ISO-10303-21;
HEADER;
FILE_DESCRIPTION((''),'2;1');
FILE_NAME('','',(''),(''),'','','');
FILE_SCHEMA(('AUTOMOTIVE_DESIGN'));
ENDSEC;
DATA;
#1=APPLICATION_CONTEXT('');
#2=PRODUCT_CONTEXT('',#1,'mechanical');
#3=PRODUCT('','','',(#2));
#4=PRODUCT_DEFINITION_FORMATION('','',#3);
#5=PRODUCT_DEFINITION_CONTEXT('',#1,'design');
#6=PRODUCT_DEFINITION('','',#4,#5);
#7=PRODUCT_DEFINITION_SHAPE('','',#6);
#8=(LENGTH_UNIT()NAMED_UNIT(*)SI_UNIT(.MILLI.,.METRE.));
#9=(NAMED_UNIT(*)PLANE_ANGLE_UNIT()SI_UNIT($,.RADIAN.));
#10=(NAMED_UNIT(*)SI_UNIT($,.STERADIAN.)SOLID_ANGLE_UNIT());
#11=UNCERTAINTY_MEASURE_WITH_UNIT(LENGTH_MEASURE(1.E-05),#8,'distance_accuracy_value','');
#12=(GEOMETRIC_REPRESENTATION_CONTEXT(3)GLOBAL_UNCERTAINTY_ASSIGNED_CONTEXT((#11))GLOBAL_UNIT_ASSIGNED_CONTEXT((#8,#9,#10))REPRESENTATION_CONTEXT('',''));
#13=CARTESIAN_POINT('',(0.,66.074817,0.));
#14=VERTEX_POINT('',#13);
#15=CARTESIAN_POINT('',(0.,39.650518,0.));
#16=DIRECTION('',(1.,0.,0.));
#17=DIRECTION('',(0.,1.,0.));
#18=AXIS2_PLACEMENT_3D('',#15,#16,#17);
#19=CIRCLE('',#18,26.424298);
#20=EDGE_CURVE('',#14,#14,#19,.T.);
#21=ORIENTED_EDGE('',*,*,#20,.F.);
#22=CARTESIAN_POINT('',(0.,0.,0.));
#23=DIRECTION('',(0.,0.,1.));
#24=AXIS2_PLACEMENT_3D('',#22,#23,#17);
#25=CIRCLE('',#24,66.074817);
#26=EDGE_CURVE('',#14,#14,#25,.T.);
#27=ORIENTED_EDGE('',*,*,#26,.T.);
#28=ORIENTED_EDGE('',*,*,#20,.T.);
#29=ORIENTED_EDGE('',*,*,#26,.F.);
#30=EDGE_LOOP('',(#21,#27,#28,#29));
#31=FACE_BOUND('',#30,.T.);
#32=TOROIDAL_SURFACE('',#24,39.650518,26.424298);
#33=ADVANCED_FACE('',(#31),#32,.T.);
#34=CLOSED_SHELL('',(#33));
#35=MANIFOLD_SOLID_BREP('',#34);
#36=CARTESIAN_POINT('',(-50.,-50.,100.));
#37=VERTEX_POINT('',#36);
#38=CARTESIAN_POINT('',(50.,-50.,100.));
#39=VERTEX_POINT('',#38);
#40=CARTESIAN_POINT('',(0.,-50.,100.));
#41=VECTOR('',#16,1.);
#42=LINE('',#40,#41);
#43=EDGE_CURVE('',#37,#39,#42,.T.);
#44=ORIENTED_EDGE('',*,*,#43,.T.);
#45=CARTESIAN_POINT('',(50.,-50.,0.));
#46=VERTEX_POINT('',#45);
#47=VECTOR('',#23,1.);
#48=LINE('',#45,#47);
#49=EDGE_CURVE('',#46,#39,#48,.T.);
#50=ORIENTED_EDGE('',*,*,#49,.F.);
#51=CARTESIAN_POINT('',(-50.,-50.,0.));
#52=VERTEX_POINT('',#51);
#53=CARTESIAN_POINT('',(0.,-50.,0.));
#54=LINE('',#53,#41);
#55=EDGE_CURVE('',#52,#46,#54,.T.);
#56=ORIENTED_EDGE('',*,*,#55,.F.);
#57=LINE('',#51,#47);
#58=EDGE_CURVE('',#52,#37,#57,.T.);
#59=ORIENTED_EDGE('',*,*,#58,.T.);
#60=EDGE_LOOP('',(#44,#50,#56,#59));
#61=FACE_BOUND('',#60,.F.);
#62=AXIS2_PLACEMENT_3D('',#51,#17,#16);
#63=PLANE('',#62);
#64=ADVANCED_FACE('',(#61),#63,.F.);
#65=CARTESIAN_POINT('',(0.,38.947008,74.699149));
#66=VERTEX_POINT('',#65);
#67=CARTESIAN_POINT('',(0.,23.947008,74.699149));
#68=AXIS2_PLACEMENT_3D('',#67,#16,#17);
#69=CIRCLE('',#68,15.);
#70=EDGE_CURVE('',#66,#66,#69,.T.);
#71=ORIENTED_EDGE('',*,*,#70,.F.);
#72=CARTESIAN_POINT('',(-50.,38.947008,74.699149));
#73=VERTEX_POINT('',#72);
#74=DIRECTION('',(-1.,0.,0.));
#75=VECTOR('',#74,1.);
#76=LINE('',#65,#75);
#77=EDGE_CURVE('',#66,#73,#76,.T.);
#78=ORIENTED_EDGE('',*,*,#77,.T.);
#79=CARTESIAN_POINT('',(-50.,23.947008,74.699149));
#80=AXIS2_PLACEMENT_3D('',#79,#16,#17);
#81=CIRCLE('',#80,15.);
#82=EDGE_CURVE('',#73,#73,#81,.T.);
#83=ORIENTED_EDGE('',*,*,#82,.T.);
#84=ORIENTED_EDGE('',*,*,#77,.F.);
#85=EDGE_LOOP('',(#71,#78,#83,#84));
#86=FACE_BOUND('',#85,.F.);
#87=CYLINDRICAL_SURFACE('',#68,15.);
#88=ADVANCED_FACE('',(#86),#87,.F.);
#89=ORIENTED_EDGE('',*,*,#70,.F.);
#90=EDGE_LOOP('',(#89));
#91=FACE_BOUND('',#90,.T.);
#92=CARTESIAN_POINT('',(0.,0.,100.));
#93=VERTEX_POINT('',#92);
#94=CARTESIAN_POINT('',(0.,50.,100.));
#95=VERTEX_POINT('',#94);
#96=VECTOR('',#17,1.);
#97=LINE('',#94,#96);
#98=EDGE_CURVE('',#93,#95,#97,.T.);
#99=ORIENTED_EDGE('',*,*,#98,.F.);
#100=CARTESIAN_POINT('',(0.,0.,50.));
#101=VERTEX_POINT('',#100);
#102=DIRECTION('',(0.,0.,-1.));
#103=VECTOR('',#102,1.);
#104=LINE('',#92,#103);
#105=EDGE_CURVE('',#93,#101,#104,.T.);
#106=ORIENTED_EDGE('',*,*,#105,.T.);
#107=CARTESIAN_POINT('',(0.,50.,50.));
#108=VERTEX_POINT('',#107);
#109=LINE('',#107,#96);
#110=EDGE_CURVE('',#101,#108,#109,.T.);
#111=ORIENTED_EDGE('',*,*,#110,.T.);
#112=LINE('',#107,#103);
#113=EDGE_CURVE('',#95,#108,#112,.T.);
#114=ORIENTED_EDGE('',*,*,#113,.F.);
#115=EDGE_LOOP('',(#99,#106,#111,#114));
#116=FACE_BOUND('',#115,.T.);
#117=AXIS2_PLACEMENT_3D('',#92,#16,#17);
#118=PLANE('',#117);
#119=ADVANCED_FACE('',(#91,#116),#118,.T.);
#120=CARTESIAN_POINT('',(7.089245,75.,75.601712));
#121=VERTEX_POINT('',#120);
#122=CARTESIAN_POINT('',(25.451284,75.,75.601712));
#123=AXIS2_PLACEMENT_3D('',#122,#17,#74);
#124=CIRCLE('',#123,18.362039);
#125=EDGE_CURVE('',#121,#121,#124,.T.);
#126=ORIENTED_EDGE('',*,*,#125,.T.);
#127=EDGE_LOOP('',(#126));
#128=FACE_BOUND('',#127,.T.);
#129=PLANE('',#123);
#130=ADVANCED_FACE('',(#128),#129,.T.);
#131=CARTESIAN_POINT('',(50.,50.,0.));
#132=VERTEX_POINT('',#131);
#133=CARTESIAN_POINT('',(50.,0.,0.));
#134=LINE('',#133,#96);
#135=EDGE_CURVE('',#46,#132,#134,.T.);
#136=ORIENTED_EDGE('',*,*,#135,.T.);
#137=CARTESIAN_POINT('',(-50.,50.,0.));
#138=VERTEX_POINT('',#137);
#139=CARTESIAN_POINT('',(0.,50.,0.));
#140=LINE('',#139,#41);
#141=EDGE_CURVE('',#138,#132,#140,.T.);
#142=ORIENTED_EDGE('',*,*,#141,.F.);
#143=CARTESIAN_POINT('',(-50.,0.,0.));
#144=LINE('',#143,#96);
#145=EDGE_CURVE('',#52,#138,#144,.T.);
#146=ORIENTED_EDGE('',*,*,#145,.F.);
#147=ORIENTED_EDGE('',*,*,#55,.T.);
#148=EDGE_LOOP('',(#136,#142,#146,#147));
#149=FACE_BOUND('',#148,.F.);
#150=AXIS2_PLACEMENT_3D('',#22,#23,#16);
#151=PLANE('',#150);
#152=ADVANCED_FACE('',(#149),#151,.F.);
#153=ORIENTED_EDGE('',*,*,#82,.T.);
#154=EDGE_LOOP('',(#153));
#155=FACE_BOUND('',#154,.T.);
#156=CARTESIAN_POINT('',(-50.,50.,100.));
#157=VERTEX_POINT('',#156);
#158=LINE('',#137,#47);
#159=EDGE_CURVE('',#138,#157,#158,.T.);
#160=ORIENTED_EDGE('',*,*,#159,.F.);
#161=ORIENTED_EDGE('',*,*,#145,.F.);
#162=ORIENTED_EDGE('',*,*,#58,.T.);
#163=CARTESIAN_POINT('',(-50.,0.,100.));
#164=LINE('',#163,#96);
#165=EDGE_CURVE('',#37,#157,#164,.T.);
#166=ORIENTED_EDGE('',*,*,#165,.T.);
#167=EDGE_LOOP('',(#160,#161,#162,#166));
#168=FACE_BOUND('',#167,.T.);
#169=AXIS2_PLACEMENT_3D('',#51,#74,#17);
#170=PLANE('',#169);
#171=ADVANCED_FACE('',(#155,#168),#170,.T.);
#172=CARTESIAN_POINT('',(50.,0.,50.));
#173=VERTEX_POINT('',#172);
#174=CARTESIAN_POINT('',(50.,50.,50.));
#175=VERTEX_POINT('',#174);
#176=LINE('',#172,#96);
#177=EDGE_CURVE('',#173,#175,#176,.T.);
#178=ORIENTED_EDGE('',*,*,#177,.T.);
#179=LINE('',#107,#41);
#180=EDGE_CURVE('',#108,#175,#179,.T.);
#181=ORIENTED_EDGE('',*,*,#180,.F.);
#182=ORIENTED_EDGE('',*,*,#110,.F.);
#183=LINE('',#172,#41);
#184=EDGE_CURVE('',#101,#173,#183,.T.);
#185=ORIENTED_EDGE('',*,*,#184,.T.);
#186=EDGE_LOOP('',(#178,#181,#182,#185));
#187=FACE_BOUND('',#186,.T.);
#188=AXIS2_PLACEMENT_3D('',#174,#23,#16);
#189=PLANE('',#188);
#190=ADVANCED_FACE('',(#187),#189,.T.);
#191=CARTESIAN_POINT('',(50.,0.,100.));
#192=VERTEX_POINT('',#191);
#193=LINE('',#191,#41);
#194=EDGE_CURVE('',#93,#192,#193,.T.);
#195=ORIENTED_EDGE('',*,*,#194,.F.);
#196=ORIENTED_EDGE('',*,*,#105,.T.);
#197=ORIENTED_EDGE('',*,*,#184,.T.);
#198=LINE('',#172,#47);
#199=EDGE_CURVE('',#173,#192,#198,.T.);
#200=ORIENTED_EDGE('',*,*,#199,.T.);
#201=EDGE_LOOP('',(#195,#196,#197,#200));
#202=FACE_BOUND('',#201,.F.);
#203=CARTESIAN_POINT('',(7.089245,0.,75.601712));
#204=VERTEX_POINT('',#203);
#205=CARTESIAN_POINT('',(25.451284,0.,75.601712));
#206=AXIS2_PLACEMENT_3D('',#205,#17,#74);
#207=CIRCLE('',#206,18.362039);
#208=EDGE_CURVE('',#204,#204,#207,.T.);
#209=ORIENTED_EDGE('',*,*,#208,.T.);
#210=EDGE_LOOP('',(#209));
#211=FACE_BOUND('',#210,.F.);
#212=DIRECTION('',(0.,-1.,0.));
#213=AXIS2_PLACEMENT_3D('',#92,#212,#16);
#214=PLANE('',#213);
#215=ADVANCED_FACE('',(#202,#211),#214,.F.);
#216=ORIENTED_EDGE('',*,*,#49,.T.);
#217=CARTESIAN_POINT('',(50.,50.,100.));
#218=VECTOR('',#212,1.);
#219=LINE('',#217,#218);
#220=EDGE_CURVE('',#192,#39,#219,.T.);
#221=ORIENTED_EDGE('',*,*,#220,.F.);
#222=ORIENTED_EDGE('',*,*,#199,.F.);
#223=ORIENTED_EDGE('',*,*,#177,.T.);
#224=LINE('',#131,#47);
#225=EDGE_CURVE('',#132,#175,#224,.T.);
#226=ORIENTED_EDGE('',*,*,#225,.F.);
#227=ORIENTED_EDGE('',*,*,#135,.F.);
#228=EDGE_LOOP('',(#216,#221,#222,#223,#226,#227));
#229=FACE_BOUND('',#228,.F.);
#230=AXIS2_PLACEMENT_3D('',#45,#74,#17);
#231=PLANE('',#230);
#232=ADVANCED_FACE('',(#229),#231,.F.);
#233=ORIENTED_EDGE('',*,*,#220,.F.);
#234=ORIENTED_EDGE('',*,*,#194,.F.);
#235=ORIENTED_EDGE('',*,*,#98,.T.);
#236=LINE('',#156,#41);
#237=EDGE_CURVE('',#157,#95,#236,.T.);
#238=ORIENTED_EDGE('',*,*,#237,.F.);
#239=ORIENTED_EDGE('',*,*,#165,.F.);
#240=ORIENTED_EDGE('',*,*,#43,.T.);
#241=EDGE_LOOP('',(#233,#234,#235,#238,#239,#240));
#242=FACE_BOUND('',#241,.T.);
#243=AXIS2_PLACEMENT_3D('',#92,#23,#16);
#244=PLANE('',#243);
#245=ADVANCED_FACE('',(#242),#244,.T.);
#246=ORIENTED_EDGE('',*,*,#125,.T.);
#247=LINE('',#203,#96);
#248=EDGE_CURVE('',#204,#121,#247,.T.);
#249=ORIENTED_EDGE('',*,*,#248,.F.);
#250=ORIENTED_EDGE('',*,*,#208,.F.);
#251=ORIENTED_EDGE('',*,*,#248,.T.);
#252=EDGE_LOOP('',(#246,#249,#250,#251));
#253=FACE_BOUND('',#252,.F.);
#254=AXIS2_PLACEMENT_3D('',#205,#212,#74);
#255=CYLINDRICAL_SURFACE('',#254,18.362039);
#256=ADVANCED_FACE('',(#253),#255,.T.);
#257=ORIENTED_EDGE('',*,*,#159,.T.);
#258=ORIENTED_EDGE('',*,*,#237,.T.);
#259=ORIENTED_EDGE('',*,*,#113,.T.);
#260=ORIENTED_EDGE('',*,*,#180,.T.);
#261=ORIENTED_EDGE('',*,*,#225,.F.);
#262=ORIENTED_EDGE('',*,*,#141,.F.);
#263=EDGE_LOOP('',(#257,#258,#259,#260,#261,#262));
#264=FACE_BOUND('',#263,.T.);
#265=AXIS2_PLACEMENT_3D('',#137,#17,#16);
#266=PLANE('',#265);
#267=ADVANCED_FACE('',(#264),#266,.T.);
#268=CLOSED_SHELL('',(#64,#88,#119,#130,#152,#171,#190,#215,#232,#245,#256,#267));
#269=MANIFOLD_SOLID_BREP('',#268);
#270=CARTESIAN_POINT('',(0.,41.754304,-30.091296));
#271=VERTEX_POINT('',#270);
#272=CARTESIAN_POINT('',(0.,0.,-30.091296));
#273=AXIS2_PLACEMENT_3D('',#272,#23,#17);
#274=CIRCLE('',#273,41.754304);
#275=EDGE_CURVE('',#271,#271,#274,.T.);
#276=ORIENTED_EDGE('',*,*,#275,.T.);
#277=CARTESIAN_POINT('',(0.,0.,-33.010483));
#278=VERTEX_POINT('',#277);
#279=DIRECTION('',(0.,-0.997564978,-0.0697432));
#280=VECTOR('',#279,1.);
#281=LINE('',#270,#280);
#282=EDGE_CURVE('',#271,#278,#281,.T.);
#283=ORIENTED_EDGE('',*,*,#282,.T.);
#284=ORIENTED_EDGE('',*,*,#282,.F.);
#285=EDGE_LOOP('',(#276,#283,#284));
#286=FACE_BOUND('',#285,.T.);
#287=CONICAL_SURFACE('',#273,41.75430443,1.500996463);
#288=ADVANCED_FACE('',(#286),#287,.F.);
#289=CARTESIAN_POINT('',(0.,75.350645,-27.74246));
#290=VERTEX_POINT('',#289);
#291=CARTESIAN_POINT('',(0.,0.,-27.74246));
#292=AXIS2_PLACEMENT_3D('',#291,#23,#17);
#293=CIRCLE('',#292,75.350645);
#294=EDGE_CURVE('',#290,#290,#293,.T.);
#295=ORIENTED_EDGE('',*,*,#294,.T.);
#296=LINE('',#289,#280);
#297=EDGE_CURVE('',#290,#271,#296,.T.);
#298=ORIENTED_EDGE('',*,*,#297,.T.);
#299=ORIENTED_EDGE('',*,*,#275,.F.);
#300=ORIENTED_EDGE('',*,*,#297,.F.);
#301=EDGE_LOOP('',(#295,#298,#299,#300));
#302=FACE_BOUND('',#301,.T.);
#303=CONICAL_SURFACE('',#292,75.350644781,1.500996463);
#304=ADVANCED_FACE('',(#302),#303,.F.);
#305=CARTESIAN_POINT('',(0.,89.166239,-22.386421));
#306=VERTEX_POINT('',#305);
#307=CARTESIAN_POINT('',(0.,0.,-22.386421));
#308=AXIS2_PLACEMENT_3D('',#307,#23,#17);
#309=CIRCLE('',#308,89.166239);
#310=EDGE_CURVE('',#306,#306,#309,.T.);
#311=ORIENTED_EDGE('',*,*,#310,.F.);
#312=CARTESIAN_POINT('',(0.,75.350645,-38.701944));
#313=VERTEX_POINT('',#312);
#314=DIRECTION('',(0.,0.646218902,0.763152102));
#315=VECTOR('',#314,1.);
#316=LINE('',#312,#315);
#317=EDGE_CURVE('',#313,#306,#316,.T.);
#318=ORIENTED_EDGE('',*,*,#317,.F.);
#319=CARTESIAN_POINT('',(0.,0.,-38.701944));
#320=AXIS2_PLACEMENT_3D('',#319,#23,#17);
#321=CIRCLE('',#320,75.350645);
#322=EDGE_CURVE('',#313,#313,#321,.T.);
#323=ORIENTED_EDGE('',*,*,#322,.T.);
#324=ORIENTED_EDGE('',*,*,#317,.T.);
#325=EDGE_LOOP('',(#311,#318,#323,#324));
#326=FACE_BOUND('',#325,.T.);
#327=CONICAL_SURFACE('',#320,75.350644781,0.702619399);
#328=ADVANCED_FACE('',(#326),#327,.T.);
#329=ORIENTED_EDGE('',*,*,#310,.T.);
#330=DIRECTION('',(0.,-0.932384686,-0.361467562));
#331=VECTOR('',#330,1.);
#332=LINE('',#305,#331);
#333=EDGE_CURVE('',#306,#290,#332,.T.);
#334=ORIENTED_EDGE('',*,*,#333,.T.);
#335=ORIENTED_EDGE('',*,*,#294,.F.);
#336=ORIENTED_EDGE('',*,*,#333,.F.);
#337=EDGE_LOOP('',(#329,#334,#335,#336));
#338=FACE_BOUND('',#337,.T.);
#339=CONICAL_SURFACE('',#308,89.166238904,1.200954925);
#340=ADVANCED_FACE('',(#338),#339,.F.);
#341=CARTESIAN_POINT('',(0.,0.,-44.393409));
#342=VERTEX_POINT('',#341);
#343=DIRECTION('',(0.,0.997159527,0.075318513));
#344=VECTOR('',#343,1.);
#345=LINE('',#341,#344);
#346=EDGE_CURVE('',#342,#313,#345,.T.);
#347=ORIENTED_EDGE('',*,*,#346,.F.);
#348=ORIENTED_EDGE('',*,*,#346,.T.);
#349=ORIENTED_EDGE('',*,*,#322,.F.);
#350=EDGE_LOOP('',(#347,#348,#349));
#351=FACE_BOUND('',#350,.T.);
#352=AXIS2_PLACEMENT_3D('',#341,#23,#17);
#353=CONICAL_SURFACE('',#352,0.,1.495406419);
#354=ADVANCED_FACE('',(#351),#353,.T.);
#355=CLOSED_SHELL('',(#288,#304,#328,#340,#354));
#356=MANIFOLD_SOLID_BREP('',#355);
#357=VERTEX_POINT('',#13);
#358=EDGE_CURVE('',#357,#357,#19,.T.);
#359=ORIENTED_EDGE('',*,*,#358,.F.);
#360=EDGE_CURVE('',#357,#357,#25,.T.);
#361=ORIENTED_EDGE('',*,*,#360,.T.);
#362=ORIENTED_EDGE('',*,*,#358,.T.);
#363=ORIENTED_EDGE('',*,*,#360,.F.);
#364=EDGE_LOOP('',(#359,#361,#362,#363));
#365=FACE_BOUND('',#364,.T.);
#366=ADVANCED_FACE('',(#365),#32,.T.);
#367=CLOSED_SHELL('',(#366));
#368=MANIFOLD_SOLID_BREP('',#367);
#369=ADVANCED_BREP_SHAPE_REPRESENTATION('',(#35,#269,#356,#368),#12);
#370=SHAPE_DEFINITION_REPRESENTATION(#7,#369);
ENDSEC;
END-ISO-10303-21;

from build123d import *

# Parameters (mm, degrees)
F0_W          = 100
F0_H          = 100
F1_DEPTH      = 100
F2_W          = 100
F2_H          = 100
F3_DEPTH      = 50
F3_DEPTH_BACK = 50
F4_R          = 15
F5_DEPTH      = 125
F6_R          = 18.3620385168
F7_DEPTH      = 75
F8_R          = 26.4242982226


with BuildPart() as f1:
    # F0 (on Top) → F1 (new body)
    with BuildSketch(Plane.XY):
        Rectangle(F0_W, F0_H)
    extrude(amount=F1_DEPTH)

    # F2 (on face) → F3 (cut, two sides)
    with BuildSketch(Plane.XY.offset(100)) as f3_sk:
        with Locations((50, 50)):
            Rectangle(F2_W, F2_H)
    extrude(amount=F3_DEPTH, mode=Mode.SUBTRACT)
    extrude(f3_sk.sketch, amount=-F3_DEPTH_BACK, mode=Mode.SUBTRACT)

    # F4 (on face) → F5 (cut)
    with BuildSketch(Plane.YZ):
        with Locations((23.9470079541, 74.6991485357)):
            Circle(F4_R)
    extrude(amount=-F5_DEPTH, mode=Mode.SUBTRACT)

    # F6 (on face) → F7 (join)
    with BuildSketch(Plane(origin=(0, 0, 0), x_dir=(-1, 0, 0), z_dir=(0, 1, 0))):
        with Locations((-25.4512839019, 75.6017118692)):
            Circle(F6_R)
    extrude(amount=F7_DEPTH)


with BuildPart() as f9:
    # F8 (on Right) → F9 (revolve)
    with BuildSketch(Plane.YZ):
        with Locations((39.6505184472, 0)):
            Circle(F8_R)
    revolve(axis=Axis((0, 0, 0.3794282675), (0, 0, 1)))


with BuildPart() as f10:
    # F8 (on Right) → F10 (revolve)
    with BuildSketch(Plane.YZ):
        with Locations((39.6505184472, 0)):
            Circle(F8_R)
    revolve(axis=Axis((0, 0, 0.3794282675), (0, 0, 1)))


with BuildPart() as f10b:
    # F8 (on Right) → F10, piece 2 (revolve)
    with BuildSketch(Plane.YZ):
        Polygon((41.7543044296, -30.0912956885), (0, -33.0104827881), (0, -44.3934090436), (75.3506447812, -38.7019440532), (89.166238904, -22.3864205182), (75.3506447812, -27.7424599293), align=None)
    revolve(axis=Axis((0, 0, 0.3794282675), (0, 0, 1)))


solid = Compound([f1.part, f9.part, f10.part, f10b.part])
